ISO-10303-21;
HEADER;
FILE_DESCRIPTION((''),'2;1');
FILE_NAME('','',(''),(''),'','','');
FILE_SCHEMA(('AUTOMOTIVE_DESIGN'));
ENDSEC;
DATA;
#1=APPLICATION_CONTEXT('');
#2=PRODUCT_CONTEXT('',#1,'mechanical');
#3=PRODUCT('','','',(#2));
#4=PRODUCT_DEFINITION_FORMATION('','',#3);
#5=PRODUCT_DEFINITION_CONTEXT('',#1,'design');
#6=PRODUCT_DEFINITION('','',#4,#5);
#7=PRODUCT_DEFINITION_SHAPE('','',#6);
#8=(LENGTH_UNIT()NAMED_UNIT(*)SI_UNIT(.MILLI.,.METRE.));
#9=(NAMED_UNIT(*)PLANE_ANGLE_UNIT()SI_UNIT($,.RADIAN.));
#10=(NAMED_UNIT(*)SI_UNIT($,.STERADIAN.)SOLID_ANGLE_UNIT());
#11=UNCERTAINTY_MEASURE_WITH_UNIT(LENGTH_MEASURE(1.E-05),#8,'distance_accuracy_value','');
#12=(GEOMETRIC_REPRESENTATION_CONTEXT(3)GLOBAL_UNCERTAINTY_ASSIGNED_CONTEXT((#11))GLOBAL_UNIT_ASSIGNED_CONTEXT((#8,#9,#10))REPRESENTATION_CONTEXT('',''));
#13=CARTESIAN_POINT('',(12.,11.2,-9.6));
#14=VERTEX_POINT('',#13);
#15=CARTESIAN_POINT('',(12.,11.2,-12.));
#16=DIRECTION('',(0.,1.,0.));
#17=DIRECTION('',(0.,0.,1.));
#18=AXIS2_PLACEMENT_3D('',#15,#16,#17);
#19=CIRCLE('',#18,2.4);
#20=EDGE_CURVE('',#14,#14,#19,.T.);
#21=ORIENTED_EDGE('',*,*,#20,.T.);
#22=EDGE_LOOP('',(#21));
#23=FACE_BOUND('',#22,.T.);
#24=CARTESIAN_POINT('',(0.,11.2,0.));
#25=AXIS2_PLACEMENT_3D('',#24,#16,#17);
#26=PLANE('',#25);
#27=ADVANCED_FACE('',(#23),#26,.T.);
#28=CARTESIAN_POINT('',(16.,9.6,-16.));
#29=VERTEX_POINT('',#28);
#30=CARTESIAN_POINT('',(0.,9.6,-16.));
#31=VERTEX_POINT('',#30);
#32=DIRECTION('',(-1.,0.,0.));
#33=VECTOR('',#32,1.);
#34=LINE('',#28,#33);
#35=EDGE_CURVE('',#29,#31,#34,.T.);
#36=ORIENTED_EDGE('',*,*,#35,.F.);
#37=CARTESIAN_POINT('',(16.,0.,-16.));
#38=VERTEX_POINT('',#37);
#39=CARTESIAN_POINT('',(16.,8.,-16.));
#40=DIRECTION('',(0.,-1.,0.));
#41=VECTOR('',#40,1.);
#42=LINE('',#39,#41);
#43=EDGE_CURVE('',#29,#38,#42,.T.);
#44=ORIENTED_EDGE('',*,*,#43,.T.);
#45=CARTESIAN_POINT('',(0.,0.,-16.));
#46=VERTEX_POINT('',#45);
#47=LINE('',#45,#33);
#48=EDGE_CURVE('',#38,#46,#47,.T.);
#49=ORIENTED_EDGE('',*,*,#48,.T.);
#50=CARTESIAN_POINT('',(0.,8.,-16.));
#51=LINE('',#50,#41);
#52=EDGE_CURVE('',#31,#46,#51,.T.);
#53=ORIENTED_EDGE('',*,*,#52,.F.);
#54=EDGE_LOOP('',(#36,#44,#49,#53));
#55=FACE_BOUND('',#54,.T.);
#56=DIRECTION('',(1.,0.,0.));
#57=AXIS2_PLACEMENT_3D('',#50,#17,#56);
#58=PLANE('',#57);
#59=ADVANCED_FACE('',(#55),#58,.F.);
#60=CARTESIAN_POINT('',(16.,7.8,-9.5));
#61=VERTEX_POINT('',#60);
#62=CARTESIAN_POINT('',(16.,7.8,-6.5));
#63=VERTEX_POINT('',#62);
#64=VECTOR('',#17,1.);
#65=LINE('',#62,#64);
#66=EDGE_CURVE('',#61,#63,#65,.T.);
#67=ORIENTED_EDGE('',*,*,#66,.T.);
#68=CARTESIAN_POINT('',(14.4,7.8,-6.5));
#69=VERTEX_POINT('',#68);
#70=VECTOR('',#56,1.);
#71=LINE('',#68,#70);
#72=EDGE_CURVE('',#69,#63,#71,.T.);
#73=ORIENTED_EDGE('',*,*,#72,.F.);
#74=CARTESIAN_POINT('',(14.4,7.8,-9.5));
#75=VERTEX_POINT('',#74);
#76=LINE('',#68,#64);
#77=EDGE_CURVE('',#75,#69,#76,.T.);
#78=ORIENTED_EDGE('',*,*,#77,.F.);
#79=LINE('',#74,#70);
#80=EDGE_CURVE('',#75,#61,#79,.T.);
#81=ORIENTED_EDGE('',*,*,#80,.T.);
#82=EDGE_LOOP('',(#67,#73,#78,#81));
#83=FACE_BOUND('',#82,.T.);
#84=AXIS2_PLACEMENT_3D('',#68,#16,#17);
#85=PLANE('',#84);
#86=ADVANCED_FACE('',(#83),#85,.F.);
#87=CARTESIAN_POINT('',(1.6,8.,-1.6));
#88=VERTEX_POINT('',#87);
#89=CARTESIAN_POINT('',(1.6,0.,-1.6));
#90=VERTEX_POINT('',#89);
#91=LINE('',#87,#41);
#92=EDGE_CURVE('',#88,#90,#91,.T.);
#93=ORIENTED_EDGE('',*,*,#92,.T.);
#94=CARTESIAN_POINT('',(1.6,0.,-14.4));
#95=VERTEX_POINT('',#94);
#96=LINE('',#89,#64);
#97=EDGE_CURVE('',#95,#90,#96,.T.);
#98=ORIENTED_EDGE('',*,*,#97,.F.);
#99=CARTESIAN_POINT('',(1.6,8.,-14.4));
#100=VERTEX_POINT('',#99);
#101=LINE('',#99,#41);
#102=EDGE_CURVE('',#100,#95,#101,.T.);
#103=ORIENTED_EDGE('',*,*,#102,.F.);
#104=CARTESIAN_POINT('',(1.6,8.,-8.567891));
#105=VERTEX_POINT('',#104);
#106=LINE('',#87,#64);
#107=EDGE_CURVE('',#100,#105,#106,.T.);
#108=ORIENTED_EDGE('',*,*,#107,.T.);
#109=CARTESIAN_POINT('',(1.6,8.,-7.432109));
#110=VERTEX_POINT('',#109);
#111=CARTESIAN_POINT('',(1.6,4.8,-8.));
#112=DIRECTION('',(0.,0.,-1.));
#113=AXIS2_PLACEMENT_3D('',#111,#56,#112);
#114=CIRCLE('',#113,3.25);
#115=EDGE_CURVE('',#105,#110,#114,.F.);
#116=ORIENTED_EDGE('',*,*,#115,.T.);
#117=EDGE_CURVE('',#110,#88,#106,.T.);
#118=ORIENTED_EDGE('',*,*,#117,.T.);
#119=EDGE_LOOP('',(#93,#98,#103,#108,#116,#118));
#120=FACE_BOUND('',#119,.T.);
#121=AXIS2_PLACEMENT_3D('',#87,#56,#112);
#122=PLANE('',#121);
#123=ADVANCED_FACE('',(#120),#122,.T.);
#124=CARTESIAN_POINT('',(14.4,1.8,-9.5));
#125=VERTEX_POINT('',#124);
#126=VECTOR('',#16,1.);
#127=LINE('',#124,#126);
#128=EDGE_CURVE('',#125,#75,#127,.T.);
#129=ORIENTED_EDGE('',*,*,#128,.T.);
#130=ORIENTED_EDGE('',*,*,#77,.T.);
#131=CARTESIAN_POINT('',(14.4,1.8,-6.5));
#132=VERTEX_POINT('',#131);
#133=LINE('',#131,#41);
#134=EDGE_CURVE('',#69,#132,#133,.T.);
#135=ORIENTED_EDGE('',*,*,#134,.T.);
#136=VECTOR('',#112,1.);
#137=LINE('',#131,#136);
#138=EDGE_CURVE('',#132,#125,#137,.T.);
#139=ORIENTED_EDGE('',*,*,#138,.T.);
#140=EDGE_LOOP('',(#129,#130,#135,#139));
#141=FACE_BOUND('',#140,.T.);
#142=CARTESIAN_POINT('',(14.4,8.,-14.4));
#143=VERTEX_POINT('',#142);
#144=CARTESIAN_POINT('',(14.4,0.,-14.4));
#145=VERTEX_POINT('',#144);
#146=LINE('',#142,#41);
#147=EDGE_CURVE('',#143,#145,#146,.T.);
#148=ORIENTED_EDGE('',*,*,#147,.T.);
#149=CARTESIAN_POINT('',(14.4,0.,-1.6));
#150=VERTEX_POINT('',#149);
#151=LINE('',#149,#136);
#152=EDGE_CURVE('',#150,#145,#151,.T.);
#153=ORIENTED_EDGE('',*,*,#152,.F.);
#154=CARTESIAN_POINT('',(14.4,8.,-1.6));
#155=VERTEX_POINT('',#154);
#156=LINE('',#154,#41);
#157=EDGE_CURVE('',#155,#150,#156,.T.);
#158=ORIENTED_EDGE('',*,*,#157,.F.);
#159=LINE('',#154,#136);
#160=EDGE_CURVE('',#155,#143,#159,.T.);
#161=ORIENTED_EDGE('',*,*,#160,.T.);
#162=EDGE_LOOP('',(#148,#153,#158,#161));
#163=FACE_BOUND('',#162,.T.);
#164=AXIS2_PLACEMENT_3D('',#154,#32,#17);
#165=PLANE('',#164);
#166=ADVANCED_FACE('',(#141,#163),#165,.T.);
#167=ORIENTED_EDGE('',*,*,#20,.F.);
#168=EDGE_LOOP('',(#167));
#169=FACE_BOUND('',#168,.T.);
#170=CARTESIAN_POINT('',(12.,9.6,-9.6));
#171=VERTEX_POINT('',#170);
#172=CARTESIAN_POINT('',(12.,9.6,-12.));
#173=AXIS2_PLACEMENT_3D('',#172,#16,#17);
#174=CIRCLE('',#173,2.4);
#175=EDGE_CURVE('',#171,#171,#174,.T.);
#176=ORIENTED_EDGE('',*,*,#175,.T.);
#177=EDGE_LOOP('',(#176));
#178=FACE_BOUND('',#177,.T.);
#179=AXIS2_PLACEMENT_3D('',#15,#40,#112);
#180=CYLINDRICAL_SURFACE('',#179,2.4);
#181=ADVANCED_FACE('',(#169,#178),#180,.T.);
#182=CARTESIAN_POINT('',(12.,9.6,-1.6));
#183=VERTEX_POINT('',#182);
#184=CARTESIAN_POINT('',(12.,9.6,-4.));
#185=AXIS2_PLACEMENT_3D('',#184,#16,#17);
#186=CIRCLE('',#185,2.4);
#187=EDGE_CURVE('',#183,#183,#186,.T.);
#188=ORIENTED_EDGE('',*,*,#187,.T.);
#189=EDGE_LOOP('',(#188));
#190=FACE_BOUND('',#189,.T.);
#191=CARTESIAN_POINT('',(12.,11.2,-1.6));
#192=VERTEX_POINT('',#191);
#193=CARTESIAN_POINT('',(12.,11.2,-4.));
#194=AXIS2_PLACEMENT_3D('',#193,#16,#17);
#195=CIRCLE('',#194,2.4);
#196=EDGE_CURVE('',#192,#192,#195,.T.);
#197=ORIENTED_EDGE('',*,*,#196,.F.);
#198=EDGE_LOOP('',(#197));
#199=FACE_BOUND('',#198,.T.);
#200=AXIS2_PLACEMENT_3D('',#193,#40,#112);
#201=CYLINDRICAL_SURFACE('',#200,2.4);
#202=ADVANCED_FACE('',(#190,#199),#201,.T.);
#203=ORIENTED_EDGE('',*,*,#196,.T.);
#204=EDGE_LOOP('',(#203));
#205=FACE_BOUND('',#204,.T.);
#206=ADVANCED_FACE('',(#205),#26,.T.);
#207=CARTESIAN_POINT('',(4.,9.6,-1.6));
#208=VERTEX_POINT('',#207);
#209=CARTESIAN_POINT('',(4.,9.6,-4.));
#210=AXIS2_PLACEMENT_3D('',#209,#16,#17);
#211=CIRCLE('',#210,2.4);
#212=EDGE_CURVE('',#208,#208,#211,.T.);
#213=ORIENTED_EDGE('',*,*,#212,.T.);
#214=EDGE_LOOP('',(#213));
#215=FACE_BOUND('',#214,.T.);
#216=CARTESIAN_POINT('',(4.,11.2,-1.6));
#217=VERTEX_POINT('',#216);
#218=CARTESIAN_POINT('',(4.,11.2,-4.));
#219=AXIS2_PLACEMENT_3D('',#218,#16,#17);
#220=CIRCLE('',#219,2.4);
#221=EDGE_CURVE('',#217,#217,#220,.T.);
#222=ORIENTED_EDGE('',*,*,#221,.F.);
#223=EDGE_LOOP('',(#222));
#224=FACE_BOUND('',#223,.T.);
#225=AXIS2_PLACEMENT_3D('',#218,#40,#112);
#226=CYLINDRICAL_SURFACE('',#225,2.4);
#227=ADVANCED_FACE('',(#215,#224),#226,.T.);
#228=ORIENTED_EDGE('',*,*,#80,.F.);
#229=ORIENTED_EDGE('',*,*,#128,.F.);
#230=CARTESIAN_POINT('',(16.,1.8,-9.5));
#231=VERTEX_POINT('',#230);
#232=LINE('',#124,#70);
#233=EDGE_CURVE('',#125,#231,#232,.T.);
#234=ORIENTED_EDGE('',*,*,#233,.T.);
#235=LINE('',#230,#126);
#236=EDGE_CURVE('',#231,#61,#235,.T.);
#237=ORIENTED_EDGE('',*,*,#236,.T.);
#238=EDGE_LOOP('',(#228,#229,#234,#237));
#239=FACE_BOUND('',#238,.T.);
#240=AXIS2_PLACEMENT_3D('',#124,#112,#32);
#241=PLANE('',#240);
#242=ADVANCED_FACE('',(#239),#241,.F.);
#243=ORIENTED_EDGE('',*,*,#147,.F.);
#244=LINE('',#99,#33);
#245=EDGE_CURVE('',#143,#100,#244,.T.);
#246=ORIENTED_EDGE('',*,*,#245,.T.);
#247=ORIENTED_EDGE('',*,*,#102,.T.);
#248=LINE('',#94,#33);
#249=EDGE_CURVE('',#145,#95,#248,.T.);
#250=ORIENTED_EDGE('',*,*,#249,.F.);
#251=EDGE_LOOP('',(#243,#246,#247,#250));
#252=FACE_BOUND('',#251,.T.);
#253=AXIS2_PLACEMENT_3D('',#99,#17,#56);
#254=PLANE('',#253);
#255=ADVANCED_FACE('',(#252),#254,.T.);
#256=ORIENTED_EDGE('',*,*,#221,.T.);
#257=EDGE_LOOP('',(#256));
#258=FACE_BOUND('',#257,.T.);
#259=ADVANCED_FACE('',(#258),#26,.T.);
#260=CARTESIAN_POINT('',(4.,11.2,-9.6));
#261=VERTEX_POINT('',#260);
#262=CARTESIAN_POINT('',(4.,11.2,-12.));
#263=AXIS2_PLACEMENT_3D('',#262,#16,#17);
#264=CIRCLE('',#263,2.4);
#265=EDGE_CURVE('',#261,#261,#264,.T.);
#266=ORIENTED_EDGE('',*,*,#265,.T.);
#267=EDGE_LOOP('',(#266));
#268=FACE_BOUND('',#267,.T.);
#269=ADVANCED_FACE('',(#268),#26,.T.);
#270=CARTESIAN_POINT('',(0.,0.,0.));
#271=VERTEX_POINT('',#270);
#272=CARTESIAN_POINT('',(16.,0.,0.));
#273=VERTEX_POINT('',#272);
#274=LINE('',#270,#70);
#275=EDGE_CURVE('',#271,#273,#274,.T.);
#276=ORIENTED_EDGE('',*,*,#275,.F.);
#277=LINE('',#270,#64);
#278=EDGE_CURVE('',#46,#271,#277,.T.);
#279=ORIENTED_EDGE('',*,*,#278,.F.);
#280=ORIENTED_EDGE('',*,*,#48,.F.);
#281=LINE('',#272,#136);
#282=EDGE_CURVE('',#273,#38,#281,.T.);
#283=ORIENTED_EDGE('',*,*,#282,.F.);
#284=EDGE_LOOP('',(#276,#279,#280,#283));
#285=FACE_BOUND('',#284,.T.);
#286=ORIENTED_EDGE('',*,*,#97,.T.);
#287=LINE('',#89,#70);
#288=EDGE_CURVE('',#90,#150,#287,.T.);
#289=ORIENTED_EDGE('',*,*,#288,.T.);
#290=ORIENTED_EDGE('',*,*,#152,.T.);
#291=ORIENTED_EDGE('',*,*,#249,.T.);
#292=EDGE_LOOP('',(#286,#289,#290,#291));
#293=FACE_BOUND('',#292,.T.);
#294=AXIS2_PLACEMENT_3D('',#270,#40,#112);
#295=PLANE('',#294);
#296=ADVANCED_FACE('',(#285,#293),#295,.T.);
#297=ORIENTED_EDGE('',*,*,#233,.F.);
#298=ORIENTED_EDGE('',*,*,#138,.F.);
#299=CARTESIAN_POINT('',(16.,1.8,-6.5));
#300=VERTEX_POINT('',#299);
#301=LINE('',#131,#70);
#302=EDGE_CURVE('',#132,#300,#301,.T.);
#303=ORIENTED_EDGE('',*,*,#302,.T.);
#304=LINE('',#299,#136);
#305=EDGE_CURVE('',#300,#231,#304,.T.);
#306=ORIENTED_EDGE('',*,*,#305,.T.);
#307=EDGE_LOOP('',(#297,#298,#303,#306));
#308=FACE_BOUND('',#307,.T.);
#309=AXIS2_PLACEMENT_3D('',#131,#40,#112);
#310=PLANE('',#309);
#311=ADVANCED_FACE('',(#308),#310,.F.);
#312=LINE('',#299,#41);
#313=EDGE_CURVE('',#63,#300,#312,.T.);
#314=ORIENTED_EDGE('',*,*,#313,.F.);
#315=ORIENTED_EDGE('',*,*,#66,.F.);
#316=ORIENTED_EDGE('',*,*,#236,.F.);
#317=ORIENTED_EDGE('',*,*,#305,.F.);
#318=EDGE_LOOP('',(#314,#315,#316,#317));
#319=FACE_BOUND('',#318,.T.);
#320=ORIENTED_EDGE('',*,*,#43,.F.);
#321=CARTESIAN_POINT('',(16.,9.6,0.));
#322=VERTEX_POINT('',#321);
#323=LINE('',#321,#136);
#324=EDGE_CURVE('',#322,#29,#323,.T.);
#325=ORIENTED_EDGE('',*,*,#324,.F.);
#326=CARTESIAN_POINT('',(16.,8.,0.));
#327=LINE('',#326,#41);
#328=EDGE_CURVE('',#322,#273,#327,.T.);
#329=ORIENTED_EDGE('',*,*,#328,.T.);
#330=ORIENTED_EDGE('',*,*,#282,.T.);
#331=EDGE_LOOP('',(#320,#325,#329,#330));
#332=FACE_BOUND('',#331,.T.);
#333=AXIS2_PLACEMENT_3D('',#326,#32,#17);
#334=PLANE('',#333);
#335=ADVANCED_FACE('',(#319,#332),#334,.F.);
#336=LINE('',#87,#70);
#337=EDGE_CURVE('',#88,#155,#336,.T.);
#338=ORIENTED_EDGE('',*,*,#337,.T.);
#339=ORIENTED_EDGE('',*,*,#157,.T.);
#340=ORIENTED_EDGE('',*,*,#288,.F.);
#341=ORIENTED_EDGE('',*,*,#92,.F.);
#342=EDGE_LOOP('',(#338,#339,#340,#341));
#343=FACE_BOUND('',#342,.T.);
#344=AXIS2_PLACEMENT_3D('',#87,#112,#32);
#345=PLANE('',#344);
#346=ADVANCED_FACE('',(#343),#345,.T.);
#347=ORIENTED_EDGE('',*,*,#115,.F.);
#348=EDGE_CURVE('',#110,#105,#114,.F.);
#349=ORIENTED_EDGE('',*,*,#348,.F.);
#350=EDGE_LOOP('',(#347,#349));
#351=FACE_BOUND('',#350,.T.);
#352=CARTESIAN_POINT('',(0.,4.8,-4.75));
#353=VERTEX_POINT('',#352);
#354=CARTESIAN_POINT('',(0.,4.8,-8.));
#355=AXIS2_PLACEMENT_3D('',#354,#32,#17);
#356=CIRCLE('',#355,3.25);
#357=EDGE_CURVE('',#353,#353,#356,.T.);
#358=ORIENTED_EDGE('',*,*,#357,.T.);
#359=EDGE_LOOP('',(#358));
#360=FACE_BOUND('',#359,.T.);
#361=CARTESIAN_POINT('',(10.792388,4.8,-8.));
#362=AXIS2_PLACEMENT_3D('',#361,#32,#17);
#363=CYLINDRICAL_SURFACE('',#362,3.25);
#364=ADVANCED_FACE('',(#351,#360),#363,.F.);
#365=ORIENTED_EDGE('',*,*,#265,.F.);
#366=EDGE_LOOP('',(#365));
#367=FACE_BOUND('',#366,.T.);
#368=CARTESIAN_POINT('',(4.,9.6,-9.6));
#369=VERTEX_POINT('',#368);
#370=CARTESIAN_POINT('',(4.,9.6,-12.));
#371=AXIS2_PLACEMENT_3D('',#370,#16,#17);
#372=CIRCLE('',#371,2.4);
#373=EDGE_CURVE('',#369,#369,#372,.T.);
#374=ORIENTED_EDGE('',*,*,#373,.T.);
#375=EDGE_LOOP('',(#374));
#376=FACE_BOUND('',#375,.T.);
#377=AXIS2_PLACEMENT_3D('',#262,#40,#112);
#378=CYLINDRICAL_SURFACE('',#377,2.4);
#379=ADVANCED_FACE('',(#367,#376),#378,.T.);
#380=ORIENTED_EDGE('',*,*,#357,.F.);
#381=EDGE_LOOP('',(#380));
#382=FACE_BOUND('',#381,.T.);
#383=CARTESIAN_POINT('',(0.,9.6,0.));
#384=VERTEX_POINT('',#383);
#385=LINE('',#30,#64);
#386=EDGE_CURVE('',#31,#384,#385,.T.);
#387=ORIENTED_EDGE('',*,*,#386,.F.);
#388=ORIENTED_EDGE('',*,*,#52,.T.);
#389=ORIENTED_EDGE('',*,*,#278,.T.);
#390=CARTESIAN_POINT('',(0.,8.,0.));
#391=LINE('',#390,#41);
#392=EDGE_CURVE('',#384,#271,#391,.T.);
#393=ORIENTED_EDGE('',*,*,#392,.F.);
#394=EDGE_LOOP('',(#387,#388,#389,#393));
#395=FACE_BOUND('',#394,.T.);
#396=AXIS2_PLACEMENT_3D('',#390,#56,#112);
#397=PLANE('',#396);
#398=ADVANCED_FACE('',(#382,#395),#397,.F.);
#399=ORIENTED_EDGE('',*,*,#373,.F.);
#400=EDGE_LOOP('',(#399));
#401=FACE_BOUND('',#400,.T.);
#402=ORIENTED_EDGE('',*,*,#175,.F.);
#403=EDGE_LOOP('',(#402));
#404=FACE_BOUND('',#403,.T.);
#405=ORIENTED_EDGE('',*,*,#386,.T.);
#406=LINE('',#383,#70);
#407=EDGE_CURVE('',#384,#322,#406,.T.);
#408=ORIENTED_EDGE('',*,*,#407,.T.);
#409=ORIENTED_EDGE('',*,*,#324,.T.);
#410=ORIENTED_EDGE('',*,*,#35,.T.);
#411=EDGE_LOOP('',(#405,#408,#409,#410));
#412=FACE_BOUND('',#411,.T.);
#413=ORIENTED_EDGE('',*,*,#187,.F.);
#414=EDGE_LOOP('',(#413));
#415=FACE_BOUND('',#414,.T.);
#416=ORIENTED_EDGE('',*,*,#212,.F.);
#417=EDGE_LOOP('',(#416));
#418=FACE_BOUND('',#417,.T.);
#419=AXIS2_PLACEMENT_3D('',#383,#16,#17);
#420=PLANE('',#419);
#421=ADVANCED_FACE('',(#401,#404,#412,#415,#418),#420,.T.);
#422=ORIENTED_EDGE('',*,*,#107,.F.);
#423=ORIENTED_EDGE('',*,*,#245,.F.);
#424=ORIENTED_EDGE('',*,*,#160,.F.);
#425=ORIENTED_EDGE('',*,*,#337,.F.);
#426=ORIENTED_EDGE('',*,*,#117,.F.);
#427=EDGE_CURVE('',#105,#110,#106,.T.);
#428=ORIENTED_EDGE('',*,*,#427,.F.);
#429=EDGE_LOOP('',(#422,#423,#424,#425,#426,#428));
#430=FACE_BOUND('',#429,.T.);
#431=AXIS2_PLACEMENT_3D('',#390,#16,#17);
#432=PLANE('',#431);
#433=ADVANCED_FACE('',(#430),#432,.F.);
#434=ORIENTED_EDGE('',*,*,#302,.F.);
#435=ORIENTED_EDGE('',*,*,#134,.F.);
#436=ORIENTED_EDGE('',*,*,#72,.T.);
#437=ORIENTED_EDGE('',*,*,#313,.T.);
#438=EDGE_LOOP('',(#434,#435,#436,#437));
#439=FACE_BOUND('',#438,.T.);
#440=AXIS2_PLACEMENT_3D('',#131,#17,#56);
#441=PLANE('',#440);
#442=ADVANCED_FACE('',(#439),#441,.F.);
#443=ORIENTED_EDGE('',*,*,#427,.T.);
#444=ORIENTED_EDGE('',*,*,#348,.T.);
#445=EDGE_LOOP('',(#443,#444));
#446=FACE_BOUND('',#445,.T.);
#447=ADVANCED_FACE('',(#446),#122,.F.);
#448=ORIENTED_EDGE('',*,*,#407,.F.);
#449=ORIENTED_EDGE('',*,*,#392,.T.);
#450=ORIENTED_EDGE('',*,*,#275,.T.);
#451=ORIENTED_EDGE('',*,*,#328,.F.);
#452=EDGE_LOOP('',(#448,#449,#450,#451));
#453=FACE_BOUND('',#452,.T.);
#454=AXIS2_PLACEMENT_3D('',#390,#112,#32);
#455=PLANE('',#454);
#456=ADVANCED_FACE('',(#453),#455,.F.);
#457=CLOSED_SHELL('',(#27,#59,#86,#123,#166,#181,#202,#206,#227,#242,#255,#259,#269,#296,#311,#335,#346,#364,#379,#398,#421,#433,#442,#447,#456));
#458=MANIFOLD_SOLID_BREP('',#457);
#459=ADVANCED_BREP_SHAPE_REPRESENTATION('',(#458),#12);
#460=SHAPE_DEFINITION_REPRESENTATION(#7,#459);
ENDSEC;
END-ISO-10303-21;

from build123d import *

# Parameters (mm, degrees)
SKETCH1_W           = 16
SKETCH1_H           = 16
SKETCH1_W_2         = 12.8
SKETCH1_H_2         = 12.8
BOSS_EXTRUDE1_DEPTH = 8
SKETCH2_W           = 16
SKETCH2_H           = 16
BOSS_EXTRUDE2_DEPTH = 1.6
SKETCH3_R           = 2.4
BOSS_EXTRUDE3_DEPTH = 1.6
SKETCH4_R           = 3.25
CUT_EXTRUDE1_DEPTH  = 1.6
SKETCH7_W           = 3
SKETCH7_H           = 6
CUT_EXTRUDE2_DEPTH  = 1.6


with BuildPart() as part:
    # Sketch1 → Boss-Extrude1 (new body)
    with BuildSketch(Plane(origin=(0, 0, 0), x_dir=(1, 0, 0), z_dir=(0, 1, 0))):
        with Locations((8, 8)):
            Rectangle(SKETCH1_W, SKETCH1_H)
        with Locations((8, 8)):
            Rectangle(SKETCH1_W_2, SKETCH1_H_2, mode=Mode.SUBTRACT)
    extrude(amount=BOSS_EXTRUDE1_DEPTH)

    # Sketch2 → Boss-Extrude2 (add)
    with BuildSketch(Plane(origin=(0, 8, 0), x_dir=(1, 0, 0), z_dir=(0, 1, 0))):
        with Locations((8, 8)):
            Rectangle(SKETCH2_W, SKETCH2_H)
    extrude(amount=BOSS_EXTRUDE2_DEPTH)

    # Sketch3 → Boss-Extrude3 (add)
    with BuildSketch(Plane(origin=(0, 9.6, 0), x_dir=(1, 0, 0), z_dir=(0, 1, 0))):
        with Locations((12, 4)):
            Circle(SKETCH3_R)
        with Locations((4, 4)):
            Circle(SKETCH3_R)
        with Locations((4, 12)):
            Circle(SKETCH3_R)
        with Locations((12, 12)):
            Circle(SKETCH3_R)
    extrude(amount=BOSS_EXTRUDE3_DEPTH)

    # Sketch4 → Cut-Extrude1 (cut)
    with BuildSketch(Plane.ZY):
        with Locations((-8, 4.8)):
            Circle(SKETCH4_R)
    extrude(amount=-CUT_EXTRUDE1_DEPTH, mode=Mode.SUBTRACT)

    # Sketch7 → Cut-Extrude2 (cut)
    with BuildSketch(Plane(origin=(16, 0, 0), x_dir=(0, 0, -1), z_dir=(1, 0, 0))):
        with Locations((8, 4.8)):
            Rectangle(SKETCH7_W, SKETCH7_H)
    extrude(amount=-CUT_EXTRUDE2_DEPTH, mode=Mode.SUBTRACT)


solid = part.part
